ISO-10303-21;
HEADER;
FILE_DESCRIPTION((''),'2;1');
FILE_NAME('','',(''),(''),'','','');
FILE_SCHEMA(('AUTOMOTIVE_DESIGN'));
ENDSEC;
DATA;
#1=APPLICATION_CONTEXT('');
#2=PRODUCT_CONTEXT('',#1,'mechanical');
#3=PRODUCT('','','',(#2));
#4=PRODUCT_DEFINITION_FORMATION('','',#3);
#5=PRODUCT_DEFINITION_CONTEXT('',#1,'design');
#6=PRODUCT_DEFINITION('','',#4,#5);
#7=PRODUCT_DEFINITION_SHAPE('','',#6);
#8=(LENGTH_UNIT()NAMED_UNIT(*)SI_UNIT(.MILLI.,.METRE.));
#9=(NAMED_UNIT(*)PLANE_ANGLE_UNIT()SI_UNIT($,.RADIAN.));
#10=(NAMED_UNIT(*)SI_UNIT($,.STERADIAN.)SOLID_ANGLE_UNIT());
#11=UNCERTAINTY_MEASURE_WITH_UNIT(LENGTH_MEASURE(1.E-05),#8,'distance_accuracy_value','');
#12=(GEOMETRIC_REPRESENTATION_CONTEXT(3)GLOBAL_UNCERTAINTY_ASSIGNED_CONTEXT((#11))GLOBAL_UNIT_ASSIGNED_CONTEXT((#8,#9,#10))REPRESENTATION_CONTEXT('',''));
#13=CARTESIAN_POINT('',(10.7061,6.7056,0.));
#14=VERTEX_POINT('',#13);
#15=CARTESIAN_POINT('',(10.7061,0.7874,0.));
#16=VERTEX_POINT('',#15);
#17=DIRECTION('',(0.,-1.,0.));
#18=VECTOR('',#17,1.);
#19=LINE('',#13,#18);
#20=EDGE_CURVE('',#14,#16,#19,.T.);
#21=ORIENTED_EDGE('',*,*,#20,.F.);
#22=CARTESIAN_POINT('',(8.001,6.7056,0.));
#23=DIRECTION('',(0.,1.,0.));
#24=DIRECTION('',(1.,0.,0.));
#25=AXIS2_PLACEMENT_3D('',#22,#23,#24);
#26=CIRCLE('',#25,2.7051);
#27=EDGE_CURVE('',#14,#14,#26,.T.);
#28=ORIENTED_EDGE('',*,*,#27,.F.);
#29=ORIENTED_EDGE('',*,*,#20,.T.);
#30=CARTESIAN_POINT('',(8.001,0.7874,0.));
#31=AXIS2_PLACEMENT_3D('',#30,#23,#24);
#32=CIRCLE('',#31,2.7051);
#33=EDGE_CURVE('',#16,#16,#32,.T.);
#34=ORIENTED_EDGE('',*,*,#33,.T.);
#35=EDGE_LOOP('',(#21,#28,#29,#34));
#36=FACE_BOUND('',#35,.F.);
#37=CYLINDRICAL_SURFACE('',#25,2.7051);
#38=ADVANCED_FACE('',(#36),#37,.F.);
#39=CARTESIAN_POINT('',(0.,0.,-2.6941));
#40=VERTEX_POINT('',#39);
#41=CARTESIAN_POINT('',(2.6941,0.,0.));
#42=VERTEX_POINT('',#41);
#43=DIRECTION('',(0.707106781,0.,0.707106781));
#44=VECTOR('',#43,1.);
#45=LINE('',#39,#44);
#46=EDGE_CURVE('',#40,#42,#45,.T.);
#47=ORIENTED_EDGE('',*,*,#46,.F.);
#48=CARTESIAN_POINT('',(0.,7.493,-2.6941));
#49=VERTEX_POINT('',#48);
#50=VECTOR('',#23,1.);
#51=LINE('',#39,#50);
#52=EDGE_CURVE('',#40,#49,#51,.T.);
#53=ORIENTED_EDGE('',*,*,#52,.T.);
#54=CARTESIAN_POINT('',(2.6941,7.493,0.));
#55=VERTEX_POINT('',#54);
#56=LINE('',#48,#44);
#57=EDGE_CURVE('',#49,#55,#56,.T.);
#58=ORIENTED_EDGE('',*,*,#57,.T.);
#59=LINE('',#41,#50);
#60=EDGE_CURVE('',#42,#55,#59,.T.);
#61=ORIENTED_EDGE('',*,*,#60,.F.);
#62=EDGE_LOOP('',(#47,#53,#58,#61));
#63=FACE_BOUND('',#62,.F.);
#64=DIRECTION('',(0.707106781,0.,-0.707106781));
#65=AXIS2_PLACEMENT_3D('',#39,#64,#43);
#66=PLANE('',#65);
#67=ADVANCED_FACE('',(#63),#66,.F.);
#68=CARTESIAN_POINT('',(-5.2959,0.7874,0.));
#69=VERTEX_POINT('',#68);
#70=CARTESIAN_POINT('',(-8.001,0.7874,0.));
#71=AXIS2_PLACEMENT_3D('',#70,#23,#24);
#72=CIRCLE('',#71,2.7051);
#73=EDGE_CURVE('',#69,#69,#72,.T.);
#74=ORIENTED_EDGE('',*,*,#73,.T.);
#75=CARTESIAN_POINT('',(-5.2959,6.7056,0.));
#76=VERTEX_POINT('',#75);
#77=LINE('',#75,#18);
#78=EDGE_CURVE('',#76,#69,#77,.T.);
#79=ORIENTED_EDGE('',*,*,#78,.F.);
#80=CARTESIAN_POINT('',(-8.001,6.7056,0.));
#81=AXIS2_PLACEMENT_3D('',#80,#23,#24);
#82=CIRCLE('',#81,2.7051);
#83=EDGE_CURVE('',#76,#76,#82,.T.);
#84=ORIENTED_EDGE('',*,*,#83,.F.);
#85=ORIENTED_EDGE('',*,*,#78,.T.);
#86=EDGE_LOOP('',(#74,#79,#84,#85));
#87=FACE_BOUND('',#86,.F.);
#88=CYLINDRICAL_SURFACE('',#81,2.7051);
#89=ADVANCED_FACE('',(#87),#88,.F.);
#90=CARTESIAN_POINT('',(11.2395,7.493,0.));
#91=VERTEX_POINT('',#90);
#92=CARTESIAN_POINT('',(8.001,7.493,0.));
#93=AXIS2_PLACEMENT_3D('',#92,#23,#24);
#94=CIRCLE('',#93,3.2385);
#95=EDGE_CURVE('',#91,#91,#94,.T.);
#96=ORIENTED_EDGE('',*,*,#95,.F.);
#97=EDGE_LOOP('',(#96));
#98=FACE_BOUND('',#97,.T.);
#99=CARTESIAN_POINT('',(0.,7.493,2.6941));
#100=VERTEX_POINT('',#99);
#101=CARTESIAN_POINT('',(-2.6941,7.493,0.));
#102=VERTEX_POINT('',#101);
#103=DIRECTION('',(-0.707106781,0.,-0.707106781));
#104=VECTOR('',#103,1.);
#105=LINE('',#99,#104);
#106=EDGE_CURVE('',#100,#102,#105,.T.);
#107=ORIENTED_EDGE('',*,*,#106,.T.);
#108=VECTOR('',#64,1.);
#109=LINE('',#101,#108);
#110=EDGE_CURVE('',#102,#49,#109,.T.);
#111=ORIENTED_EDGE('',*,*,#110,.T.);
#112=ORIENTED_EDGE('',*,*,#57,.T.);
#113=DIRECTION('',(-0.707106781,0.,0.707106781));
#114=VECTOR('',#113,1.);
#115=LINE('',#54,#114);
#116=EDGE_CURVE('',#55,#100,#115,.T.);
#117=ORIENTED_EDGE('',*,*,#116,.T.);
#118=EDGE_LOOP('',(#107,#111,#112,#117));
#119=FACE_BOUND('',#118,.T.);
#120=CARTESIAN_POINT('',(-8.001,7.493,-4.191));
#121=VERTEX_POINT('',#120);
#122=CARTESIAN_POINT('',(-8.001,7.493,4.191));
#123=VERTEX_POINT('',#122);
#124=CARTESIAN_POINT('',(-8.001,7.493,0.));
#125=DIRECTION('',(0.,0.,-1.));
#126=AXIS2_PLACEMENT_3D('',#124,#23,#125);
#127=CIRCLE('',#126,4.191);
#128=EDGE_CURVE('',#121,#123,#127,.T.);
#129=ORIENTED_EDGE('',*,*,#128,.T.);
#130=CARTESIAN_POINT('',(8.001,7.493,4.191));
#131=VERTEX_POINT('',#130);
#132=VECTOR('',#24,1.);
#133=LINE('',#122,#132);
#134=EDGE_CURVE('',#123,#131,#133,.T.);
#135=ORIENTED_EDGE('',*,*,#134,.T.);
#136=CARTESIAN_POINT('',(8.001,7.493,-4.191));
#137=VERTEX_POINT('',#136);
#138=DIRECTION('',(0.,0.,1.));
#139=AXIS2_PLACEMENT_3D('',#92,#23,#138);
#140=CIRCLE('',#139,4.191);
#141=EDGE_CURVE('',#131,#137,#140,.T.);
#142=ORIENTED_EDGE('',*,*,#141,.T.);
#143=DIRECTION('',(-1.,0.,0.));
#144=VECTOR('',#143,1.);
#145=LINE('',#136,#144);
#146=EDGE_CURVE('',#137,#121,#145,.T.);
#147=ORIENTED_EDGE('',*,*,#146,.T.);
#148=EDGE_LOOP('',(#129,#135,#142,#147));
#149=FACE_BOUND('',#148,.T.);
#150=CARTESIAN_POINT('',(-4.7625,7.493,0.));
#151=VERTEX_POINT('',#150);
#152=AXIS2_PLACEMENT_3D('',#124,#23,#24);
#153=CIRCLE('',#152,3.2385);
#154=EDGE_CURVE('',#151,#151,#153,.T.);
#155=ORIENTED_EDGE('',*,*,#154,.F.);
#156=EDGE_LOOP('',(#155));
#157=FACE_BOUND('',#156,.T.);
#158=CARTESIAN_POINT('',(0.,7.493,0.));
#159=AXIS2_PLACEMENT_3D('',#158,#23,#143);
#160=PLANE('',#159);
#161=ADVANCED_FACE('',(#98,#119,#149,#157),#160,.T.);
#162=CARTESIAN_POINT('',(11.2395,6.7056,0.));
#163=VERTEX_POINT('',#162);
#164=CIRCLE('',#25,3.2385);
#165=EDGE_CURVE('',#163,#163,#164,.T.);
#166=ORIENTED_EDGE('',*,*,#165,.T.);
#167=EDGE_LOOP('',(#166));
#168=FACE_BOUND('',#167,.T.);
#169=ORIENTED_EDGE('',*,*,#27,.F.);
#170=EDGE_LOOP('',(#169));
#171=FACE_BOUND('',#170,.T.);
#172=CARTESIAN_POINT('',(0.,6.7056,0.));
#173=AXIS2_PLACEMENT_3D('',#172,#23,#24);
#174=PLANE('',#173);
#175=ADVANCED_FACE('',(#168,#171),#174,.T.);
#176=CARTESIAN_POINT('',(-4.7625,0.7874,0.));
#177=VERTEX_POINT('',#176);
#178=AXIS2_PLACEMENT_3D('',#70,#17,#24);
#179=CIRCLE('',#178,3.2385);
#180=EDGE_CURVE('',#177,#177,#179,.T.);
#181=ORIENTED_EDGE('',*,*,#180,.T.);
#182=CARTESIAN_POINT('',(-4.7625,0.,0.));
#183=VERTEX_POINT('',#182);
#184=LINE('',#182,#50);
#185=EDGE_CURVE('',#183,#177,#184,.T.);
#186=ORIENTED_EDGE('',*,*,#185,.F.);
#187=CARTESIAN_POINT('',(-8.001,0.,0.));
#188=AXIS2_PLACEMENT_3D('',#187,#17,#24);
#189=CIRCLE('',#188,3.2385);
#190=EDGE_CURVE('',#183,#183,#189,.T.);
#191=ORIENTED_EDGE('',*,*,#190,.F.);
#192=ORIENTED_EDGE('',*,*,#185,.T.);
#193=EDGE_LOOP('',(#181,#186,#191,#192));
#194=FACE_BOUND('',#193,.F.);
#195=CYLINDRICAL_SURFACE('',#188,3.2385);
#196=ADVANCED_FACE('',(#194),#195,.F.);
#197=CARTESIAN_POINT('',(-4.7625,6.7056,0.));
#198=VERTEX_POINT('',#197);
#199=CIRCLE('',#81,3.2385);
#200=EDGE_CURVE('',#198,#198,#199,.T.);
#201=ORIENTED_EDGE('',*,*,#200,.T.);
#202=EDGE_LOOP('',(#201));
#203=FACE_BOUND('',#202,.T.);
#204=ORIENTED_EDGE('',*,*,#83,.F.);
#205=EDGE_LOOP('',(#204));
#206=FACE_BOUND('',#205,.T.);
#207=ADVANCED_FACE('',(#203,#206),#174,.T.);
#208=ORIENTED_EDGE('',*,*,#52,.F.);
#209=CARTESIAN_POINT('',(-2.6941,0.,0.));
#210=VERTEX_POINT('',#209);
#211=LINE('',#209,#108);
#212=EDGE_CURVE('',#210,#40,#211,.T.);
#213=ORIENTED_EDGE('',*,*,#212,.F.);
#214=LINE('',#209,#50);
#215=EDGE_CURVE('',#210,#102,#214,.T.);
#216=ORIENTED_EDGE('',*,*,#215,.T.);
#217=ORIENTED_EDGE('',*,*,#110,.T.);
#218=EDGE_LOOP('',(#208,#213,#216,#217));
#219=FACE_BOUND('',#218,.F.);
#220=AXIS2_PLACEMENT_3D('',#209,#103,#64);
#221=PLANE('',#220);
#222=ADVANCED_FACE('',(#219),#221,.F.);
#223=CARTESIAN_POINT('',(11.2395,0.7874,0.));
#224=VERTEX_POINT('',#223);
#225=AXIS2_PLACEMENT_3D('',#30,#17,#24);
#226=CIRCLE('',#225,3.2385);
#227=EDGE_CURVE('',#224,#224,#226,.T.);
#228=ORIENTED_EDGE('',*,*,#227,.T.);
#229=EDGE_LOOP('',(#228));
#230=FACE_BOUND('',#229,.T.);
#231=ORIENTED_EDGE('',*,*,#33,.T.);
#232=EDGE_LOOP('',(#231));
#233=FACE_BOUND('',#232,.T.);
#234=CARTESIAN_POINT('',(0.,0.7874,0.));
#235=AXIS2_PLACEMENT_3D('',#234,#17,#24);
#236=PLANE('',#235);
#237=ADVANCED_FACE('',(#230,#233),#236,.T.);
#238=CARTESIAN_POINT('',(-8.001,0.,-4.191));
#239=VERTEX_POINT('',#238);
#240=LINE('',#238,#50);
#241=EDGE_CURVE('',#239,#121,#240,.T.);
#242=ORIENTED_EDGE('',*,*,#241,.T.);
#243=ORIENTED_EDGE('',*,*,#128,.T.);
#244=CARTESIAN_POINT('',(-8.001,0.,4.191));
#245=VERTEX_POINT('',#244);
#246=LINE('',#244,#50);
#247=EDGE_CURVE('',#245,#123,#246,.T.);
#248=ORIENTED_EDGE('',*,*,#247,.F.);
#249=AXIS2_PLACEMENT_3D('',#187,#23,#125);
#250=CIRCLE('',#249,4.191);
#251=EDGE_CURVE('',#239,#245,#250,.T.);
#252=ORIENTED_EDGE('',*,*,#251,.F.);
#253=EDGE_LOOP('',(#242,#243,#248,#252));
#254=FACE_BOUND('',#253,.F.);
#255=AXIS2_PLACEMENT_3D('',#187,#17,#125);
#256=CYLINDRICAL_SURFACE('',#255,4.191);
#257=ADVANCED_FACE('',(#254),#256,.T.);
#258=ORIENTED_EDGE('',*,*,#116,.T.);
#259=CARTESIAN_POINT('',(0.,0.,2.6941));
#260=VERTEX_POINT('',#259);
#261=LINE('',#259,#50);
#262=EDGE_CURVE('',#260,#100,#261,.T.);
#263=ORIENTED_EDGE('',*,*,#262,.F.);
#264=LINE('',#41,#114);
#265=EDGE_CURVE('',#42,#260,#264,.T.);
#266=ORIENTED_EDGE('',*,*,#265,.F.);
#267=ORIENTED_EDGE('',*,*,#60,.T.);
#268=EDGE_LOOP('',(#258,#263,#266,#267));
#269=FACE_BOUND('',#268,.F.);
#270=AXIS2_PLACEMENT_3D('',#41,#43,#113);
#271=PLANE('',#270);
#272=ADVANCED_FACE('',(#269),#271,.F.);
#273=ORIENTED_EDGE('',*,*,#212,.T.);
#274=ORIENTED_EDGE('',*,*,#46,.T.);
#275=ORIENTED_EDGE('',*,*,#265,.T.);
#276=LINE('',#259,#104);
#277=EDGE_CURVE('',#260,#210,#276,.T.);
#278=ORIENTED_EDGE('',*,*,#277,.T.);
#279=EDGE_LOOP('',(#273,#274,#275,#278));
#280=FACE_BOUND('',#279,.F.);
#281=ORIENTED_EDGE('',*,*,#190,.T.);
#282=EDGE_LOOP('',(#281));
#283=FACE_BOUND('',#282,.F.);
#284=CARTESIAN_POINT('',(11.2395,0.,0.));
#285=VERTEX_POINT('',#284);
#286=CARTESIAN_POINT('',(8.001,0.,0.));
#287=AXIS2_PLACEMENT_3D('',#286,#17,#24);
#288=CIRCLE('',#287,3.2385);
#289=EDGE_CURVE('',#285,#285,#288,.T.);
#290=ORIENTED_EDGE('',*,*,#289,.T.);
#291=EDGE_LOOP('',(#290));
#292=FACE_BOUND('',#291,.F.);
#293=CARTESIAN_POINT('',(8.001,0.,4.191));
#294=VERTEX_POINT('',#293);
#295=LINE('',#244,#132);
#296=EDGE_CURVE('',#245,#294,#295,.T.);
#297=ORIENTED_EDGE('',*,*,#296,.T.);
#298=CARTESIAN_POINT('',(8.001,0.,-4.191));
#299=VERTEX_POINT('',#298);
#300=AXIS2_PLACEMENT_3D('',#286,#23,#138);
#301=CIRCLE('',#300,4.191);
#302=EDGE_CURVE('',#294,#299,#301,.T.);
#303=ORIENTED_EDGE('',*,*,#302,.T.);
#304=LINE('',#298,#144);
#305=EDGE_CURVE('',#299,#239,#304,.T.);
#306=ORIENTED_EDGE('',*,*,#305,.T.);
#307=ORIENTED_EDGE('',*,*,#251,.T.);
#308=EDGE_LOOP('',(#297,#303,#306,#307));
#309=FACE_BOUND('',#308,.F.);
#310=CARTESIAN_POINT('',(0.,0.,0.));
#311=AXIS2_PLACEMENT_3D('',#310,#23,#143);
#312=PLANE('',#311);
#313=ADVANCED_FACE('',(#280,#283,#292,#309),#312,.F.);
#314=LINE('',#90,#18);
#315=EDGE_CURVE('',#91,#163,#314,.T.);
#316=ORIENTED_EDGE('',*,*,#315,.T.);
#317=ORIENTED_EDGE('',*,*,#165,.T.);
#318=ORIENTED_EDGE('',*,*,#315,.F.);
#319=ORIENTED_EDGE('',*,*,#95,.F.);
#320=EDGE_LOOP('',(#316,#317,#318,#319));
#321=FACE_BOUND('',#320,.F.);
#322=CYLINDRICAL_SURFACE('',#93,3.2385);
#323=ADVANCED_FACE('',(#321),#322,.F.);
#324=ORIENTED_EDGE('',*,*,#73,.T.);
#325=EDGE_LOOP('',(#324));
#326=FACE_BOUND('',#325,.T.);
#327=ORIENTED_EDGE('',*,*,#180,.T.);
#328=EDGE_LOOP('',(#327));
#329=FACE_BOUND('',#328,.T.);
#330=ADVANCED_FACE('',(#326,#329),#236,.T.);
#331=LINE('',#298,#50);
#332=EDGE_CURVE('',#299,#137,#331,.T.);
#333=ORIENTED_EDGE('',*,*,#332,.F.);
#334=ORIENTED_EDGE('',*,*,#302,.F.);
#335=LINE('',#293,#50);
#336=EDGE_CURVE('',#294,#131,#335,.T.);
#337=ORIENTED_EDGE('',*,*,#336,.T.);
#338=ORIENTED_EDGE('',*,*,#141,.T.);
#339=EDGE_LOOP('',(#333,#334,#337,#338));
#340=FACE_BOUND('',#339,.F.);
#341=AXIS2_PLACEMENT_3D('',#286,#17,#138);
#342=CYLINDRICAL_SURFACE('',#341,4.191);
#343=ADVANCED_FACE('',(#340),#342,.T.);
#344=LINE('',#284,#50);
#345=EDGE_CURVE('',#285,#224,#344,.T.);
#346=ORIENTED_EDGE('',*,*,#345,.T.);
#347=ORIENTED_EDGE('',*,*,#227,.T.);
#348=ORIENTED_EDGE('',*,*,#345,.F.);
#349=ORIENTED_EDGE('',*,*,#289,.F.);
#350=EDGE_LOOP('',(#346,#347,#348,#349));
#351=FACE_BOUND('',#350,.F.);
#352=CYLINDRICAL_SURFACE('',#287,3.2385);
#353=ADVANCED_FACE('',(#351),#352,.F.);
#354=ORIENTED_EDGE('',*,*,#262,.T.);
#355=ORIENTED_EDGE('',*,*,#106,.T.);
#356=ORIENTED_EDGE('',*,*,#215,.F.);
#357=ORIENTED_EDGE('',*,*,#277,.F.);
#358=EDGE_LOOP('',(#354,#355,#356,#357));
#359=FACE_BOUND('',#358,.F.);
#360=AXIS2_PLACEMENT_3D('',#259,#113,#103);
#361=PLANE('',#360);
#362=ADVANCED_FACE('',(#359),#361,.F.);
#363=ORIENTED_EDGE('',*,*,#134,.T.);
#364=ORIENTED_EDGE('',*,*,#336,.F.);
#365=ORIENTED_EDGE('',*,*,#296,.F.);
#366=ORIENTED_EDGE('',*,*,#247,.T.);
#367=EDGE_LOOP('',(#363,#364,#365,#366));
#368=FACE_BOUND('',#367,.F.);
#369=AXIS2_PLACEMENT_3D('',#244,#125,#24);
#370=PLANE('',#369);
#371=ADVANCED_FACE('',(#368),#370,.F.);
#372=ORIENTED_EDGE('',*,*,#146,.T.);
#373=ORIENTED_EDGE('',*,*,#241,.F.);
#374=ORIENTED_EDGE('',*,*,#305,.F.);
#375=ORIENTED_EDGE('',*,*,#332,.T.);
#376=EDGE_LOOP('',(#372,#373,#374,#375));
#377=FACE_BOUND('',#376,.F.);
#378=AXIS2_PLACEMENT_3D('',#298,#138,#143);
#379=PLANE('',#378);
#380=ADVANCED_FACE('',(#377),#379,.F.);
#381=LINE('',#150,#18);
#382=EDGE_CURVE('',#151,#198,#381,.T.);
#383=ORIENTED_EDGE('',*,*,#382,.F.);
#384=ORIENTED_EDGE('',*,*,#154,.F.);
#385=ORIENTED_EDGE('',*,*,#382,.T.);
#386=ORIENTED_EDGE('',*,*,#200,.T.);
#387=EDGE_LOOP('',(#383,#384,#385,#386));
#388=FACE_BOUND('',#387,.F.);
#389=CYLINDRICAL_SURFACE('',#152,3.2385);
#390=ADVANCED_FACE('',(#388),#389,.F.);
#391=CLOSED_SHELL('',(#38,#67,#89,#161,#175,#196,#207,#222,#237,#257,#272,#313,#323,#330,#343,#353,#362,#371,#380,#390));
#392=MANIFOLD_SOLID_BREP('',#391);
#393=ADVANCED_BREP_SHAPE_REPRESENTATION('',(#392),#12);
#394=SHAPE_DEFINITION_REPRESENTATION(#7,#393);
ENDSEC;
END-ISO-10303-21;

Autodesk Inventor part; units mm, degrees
ref_plane "YZ Plane" through (0, 0, 0) normal (1, 0, 0) x (0, 1, 0)
ref_plane "XZ Plane" through (0, 0, 0) normal (0, 1, 0) x (-1, 0, 0)
ref_plane "XY Plane" through (0, 0, 0) normal (0, 0, 1) x (1, 0, 0)
sketch "Sketch1" plane through (0, 0, 0) normal (0, 1, 0) x (-1, 0, 0)
  line L0 (-8.001, 0) -> (8.001, 0) construction
  line L1 (-8.001, -4.191) -> (8.001, -4.191)
  line L2 (8.001, 4.191) -> (-8.001, 4.191)
  arc A0 (-8.001, 4.191) -> (-8.001, -4.191) centre (-8.001, 0) ccw
  arc A1 (8.001, -4.191) -> (8.001, 4.191) centre (8.001, 0) ccw
  line L3 (-2.6941, 0) -> (0, 2.6941)
  line L4 (0, 2.6941) -> (2.6941, 0)
  line L5 (2.6941, 0) -> (0, -2.6941)
  line L6 (0, -2.6941) -> (-2.6941, 0)
  line L7 (-2.6941, 0) -> (2.6941, 0) construction
  line L8 (0, 2.6941) -> (0, -2.6941) construction
  point P0 (0, 0)
  dimension "d0" = 8.001
  dimension "d1" = 8.382
  dimension "d2" = 3.81
  dimension "d3" = 3.81
extrude "Extrusion1" add sketch "Sketch1" along normal blind 7.493
sketch "Sketch2" plane through (0, 7.493, 0) normal (0, 1, 0) x (1, 0, 0)
  circle A0 centre (-8.001, 0) radius 3.2385
  point P0 (0, 0)
  dimension "d6" = 8.001
  dimension "d7" = 6.477
extrude "Extrusion2" cut sketch "Sketch2" against normal blind 0.7874
sketch "Sketch3" plane through (0, 7.493, 0) normal (0, 1, 0) x (1, 0, 0)
  circle A0 centre (8.001, 0) radius 3.2385
  point P0 (0, 0)
  dimension "d10" = 8.001
  dimension "d11" = 6.477
extrude "Extrusion3" cut sketch "Sketch3" against normal blind 0.7874
sketch "Sketch4" plane through (0, 0, 0) normal (0, -1, 0) x (1, 0, 0)
  circle A0 centre (8.001, 0) radius 3.2385 projected
  circle A1 centre (8.001, 0) radius 2.8575
  point P0 (0, 0)
extrude "Extrusion4" cut sketch "Sketch4" against normal blind 0.7874 contours A0 | A1
sketch "Sketch5" plane through (0, 0, 0) normal (0, -1, 0) x (1, 0, 0)
  circle A0 centre (-8.001, 0) radius 3.2385 projected
  circle A1 centre (-8.001, 0) radius 2.8575
  point P0 (0, 0)
extrude "Extrusion5" cut sketch "Sketch5" against normal blind 0.7874 contours A0 | A1
sketch "Sketch6" plane through (-8.001, 6.7056, 0) normal (0, 1, 0) x (1, 0, 0)
  circle A0 centre (0, 0) radius 2.7051
  point P0 (8.001, 0)
  dimension "d18" = 5.4102
extrude "Extrusion6" cut sketch "Sketch6" against normal through all
sketch "Sketch7" plane through (8.001, 6.7056, 0) normal (0, 1, 0) x (1, 0, 0)
  circle A0 centre (0, 0) radius 2.7051
  point P0 (-8.001, 0)
  dimension "d21" = 5.4102
extrude "Extrusion7" cut sketch "Sketch7" against normal through all
properties part number "VexLegoBiggerCoupler"
